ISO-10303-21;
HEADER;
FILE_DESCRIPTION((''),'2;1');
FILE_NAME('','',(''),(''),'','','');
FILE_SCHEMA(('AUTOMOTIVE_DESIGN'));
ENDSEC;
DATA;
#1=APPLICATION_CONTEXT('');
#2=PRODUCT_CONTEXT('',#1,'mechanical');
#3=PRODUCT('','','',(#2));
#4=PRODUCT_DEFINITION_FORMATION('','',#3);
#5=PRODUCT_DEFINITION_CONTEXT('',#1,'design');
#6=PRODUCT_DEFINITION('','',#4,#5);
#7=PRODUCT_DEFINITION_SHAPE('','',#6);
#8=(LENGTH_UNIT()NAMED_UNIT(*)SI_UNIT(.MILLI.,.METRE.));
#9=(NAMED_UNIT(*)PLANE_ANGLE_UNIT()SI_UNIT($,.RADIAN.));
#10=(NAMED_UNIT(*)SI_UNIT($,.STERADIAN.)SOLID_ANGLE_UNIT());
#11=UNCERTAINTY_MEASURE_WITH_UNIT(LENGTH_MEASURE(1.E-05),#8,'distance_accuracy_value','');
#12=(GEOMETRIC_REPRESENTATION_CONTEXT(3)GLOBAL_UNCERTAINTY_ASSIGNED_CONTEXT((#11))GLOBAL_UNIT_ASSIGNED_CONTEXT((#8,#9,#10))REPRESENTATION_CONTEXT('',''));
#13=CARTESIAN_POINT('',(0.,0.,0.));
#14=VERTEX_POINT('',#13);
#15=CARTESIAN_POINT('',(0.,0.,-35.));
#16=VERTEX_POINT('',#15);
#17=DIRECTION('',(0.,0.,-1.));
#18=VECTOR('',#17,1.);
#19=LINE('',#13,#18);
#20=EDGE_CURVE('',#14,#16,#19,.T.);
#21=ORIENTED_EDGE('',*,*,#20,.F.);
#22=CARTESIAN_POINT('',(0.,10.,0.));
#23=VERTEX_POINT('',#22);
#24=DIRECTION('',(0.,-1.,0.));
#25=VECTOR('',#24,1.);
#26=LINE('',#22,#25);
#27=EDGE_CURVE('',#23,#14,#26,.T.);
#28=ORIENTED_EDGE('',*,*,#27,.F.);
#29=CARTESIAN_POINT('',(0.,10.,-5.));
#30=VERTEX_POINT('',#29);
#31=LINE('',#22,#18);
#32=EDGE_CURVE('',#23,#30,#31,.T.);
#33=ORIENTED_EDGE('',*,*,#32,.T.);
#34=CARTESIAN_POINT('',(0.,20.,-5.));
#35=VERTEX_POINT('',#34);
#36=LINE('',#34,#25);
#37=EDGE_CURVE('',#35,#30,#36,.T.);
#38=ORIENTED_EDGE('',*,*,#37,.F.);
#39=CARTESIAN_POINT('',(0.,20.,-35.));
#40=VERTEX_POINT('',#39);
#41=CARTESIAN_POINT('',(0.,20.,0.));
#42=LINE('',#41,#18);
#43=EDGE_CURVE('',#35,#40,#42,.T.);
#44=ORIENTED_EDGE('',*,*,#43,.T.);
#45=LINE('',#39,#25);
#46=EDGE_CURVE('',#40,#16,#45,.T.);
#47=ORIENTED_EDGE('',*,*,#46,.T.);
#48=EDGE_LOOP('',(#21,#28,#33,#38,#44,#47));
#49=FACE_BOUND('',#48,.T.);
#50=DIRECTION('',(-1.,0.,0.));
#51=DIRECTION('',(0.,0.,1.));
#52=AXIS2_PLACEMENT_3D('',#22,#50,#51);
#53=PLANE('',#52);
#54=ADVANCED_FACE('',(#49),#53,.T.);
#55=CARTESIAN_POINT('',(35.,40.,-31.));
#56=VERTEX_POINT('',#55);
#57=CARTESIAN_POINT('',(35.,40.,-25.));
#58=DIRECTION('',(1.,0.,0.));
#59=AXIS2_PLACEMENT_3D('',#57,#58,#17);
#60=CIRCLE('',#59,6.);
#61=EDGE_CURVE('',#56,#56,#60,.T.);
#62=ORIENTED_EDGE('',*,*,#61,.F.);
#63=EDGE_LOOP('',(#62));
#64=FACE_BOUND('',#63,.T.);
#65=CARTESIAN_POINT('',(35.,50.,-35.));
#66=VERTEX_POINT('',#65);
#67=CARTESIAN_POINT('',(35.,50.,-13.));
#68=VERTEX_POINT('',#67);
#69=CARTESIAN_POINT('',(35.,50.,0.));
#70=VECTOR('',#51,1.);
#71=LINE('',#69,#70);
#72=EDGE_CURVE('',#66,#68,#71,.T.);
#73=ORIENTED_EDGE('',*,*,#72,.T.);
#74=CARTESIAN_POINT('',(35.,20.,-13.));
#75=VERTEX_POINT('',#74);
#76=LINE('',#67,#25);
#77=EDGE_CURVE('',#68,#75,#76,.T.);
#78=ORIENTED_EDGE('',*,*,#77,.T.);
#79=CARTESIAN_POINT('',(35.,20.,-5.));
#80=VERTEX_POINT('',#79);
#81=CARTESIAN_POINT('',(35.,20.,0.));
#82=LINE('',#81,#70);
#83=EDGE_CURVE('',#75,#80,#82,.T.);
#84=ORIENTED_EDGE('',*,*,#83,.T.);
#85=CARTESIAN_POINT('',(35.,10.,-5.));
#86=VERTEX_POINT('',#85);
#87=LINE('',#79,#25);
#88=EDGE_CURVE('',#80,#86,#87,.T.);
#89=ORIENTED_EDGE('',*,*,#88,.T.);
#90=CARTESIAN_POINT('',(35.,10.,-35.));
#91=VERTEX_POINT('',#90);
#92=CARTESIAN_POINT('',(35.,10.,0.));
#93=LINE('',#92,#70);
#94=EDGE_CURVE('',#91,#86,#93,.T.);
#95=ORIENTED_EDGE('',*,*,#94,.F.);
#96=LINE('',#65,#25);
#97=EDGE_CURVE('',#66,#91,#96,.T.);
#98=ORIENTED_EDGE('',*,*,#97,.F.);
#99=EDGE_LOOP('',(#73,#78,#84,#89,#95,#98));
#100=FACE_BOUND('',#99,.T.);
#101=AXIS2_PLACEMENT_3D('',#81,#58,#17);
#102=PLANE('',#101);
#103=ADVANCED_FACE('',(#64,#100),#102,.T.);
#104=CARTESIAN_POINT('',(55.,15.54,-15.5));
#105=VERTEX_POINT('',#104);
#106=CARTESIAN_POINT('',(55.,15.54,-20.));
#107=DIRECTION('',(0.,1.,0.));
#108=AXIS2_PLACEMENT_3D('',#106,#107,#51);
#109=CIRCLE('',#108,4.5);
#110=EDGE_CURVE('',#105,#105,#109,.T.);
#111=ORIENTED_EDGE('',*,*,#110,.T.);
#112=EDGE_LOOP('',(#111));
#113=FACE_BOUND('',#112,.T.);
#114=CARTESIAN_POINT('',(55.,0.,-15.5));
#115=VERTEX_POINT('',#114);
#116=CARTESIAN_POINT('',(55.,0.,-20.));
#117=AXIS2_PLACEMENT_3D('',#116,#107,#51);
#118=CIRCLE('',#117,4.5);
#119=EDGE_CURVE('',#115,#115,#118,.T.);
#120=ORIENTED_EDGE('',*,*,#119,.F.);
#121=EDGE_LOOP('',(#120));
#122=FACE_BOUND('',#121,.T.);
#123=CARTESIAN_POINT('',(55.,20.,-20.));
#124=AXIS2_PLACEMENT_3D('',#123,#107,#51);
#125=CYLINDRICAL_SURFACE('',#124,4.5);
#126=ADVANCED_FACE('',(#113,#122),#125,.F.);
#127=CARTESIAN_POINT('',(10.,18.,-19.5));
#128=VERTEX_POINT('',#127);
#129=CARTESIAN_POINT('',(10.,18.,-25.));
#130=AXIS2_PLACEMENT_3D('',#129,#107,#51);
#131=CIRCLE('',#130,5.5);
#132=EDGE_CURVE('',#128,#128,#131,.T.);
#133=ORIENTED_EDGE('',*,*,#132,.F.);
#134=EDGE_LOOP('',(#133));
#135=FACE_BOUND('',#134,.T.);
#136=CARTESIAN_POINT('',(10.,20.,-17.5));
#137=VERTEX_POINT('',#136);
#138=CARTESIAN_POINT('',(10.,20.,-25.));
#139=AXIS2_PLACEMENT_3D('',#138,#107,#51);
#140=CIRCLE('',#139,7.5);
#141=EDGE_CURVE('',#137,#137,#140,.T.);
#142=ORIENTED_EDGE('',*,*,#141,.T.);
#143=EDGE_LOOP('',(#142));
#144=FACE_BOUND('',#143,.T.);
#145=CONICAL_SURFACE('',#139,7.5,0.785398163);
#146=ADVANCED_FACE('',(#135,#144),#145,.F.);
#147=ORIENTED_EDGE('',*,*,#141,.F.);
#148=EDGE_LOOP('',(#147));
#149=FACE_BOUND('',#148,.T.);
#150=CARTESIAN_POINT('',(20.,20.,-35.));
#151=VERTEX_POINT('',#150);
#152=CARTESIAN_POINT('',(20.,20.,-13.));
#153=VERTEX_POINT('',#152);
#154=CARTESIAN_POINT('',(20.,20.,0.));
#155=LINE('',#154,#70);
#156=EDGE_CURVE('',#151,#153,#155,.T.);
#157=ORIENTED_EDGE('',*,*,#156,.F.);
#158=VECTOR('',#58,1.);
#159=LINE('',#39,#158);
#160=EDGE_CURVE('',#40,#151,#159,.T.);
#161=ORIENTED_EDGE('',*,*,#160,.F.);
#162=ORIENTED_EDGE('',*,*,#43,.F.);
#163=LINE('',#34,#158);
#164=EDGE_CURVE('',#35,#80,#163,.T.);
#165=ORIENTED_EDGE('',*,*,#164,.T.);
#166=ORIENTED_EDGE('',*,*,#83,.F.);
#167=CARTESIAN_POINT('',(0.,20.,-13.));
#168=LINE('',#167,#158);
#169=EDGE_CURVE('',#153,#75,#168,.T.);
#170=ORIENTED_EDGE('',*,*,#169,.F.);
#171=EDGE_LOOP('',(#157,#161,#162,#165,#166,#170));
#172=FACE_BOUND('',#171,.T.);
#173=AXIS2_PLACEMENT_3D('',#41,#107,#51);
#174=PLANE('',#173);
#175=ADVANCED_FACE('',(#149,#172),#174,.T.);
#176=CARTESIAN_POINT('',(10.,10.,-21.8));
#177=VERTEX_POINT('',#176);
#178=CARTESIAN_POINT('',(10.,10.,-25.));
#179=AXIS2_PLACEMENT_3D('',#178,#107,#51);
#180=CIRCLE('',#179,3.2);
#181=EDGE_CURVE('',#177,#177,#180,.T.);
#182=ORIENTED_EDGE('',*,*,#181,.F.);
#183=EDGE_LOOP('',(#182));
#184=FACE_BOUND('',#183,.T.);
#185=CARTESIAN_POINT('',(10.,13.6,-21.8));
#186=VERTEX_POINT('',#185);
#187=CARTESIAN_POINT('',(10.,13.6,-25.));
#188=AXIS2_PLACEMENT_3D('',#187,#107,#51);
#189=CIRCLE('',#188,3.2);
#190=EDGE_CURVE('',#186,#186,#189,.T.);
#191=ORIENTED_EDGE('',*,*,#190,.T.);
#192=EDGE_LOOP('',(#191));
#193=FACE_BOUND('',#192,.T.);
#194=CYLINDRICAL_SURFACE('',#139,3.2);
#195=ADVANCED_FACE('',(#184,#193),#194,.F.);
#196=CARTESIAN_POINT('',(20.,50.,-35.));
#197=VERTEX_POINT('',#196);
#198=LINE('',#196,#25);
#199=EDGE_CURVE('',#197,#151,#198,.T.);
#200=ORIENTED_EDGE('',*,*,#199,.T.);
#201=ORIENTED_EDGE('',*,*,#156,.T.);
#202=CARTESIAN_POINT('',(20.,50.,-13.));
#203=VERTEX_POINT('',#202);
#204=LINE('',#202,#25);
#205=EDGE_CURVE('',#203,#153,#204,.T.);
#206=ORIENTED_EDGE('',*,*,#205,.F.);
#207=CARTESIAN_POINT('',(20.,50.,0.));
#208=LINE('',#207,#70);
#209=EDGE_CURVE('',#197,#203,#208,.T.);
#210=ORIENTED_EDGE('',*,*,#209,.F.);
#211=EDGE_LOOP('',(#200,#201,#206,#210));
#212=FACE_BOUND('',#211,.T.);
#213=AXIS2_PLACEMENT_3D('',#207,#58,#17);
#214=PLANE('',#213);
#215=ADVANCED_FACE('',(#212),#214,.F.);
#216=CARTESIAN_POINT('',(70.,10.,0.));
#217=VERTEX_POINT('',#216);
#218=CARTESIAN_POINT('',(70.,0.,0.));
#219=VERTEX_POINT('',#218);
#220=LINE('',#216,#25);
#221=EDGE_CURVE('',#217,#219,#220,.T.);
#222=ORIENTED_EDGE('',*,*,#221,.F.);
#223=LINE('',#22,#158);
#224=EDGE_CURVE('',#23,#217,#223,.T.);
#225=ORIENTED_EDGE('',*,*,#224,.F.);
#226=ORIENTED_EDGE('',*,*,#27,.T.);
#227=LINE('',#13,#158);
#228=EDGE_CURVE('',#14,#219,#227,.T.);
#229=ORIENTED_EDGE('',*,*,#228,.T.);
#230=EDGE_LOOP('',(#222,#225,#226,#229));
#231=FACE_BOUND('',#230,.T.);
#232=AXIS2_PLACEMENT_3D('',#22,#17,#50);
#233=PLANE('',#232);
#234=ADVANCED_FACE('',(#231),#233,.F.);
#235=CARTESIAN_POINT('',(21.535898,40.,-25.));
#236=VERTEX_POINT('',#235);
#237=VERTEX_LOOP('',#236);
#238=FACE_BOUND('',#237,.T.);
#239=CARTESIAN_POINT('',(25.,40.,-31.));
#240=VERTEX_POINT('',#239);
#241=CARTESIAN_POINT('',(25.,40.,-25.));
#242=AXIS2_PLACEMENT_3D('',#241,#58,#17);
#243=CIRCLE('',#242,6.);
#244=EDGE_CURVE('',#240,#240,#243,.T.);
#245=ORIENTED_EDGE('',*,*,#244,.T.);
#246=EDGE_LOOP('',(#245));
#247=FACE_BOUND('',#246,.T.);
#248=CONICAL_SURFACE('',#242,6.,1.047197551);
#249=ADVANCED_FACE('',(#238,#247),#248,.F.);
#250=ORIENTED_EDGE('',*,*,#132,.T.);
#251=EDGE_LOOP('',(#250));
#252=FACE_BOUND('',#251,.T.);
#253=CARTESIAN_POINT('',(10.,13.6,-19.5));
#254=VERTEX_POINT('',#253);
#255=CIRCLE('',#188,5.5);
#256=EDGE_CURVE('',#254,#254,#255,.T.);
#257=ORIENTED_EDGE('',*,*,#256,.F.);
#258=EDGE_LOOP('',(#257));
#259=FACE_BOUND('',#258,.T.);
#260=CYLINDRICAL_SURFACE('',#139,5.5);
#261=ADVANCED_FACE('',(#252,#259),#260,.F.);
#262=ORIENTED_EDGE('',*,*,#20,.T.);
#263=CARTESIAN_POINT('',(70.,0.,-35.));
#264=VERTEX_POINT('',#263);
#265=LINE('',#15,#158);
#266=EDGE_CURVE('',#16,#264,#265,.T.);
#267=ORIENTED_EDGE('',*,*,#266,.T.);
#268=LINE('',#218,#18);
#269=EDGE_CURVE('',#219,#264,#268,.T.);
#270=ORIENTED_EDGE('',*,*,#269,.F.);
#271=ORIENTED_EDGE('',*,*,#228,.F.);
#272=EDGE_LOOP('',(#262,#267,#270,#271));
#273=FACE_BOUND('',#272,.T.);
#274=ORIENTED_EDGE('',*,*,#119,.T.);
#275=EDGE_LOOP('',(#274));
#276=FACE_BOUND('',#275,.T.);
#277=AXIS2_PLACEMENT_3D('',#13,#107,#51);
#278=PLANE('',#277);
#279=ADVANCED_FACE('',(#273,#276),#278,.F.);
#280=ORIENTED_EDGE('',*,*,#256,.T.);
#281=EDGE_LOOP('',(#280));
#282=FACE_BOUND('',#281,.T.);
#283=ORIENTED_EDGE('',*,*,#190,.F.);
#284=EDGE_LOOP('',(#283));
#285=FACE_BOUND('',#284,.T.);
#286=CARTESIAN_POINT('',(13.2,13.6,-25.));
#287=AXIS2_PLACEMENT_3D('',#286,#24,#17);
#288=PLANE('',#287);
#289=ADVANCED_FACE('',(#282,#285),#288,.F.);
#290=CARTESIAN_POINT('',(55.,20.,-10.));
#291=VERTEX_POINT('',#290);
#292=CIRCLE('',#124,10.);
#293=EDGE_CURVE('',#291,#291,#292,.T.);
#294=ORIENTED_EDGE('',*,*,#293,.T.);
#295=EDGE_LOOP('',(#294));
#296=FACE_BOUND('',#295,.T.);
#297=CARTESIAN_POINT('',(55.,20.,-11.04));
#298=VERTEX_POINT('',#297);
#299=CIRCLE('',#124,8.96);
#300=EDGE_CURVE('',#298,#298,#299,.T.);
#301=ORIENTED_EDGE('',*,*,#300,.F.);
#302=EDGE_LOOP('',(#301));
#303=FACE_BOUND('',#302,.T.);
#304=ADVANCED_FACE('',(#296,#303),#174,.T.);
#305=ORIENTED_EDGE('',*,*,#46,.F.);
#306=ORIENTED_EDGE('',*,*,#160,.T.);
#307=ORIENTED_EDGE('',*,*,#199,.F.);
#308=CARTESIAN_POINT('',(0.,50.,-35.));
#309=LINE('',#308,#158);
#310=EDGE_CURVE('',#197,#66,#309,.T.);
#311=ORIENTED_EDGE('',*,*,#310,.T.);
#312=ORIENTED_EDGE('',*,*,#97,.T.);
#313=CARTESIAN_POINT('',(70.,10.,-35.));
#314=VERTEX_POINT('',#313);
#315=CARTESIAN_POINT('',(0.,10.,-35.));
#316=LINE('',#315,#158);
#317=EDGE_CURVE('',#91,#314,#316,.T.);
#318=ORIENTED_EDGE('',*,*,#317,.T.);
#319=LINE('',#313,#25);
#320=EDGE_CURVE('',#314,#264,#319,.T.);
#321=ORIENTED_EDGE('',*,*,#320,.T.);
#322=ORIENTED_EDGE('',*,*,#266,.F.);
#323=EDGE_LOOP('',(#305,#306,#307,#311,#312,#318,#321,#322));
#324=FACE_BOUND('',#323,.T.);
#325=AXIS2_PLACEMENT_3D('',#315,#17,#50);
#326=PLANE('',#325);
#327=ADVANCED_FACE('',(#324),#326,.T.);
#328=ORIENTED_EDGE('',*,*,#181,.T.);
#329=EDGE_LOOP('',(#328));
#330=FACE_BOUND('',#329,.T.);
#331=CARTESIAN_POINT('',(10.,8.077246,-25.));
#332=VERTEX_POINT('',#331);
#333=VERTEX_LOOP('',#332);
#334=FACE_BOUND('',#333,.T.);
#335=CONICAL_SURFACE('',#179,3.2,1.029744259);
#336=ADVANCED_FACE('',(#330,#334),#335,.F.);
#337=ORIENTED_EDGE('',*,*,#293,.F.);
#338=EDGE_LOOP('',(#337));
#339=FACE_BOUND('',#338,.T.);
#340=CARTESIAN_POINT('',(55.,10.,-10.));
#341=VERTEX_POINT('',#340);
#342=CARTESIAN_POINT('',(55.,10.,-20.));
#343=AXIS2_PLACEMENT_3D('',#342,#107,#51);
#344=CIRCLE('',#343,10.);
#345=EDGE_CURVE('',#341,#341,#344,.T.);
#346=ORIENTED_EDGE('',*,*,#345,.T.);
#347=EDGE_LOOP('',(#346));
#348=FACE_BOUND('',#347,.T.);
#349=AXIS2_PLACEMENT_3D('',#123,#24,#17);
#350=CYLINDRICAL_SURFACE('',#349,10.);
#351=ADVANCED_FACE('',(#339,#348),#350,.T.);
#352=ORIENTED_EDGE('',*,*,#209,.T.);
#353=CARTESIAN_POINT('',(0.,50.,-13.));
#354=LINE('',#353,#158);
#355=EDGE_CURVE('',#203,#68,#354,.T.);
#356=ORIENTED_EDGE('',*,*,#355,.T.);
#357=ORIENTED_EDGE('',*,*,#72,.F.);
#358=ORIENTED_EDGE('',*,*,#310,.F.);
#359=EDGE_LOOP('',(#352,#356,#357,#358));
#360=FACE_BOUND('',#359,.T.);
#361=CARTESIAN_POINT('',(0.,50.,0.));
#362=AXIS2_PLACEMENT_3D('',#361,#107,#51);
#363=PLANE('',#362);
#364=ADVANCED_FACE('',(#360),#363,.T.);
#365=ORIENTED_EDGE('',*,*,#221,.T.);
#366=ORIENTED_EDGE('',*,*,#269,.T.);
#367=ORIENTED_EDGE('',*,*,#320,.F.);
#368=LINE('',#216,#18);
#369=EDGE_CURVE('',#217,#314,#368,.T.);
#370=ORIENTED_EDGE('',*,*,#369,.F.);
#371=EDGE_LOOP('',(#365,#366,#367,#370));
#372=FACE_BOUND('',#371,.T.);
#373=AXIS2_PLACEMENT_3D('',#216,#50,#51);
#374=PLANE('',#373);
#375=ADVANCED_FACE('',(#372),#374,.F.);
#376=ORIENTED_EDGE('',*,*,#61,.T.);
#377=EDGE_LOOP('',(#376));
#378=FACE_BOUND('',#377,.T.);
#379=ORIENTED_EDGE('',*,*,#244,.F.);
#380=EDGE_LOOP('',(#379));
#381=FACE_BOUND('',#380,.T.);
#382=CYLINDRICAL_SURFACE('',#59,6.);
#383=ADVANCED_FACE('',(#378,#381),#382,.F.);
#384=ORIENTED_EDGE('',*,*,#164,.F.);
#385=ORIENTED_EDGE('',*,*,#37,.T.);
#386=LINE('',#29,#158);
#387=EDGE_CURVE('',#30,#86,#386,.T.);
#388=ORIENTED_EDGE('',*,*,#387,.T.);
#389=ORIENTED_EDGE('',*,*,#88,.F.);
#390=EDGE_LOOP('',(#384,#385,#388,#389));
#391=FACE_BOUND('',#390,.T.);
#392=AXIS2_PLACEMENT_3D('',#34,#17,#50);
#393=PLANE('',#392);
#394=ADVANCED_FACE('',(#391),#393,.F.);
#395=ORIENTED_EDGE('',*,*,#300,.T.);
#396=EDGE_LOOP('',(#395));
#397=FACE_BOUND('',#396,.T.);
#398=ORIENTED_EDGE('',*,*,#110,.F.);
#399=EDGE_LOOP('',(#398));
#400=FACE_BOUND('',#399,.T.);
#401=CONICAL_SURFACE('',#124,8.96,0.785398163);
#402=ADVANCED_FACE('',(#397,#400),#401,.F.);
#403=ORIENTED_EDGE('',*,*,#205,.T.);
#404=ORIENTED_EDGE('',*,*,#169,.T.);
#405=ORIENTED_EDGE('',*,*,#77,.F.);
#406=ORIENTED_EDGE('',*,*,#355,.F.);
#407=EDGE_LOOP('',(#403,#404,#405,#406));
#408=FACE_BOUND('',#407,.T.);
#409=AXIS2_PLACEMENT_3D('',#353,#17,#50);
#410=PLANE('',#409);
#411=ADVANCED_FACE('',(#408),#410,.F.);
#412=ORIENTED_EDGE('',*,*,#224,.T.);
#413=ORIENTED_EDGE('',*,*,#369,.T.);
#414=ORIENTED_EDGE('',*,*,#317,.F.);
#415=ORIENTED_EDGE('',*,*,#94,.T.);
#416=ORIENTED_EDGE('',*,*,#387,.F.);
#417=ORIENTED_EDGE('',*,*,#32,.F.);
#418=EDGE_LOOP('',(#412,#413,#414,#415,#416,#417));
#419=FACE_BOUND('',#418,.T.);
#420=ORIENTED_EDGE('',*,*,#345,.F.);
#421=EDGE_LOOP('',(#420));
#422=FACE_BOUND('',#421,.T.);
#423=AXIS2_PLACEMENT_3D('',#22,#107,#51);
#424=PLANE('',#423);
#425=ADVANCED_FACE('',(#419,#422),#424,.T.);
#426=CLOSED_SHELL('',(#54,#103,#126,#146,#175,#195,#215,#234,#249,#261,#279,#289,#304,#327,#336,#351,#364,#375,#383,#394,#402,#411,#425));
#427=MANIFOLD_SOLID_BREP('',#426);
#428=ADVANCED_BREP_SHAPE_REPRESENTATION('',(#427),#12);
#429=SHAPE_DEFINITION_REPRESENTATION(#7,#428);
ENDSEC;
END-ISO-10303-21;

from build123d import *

# Parameters (mm, degrees)
SKETCH1_R                                            = 10
BOSS_EXTRUDE1_DEPTH                                  = 10
SKETCH1_3_R                                          = 10
BOSS_EXTRUDE2_DEPTH                                  = 20
SKETCH1_4_W                                          = 15
SKETCH1_4_H                                          = 22
BOSS_EXTRUDE3_DEPTH                                  = 50
CSK_FOR_M8_HEX_SOCKET_COUNTERSUNK_CAP_SC_D           = 9
CSK_FOR_M8_HEX_SOCKET_COUNTERSUNK_CAP_SC_CSINK_D     = 17.92
CSK_FOR_M8_HEX_SOCKET_COUNTERSUNK_CAP_SC_CSINK_ANGLE = 90
TAP_DRILL_FOR_M8_TAP1_D                              = 12
TAP_DRILL_FOR_M8_TAP1_DEPTH                          = 10
TAP_DRILL_FOR_M8_TAP1_TIP                            = 3.464101615


with BuildPart() as part:
    # Sketch1 → Boss-Extrude1 (new body)
    with BuildSketch(Plane(origin=(0, 0, 0), x_dir=(1, 0, 0), z_dir=(0, 1, 0))):
        Polygon((0, 5), (0, 0), (70, 0), (70, 35), (35, 35), (35, 13), (35, 5), align=None)
        with Locations((55, 20)):
            Circle(SKETCH1_R, mode=Mode.SUBTRACT)
    extrude(amount=BOSS_EXTRUDE1_DEPTH)

    # Sketch1<3> → Boss-Extrude2 (add)
    with BuildSketch(Plane(origin=(0, 0, 0), x_dir=(1, 0, 0), z_dir=(0, 1, 0))):
        Polygon((0, 35), (0, 5), (35, 5), (35, 13), (20, 13), (20, 35), align=None)
        with Locations((55, 20)):
            Circle(SKETCH1_3_R)
    extrude(amount=BOSS_EXTRUDE2_DEPTH)

    # Sketch1<4> → Boss-Extrude3 (add)
    with BuildSketch(Plane(origin=(0, 0, 0), x_dir=(1, 0, 0), z_dir=(0, 1, 0))):
        with Locations((27.5, 24)):
            Rectangle(SKETCH1_4_W, SKETCH1_4_H)
    extrude(amount=BOSS_EXTRUDE3_DEPTH)

    # CSK for M8 Hex Socket Countersunk Cap Screw1 (through all)
    with Locations(Plane(origin=(55, 20, -20), x_dir=(0, 0, 1), z_dir=(0, 1, 0))):
        with Locations((0, 0)):
            CounterSinkHole(CSK_FOR_M8_HEX_SOCKET_COUNTERSUNK_CAP_SC_D / 2, CSK_FOR_M8_HEX_SOCKET_COUNTERSUNK_CAP_SC_CSINK_D / 2, counter_sink_angle=CSK_FOR_M8_HEX_SOCKET_COUNTERSUNK_CAP_SC_CSINK_ANGLE)

    # Sketch5 → CBORE for M6 Hex Socket Head Cap Screw1 (revolve, cut)
    with BuildSketch(Plane(origin=(10, 20, -25), x_dir=(0, 0, 1), z_dir=(1, 0, 0))):
        Polygon((0, 0), (0, 11.922753981), (3.2, 10), (3.2, 6.4), (5.5, 6.4), (5.5, 2), (7.5, 0), align=None)
    revolve(axis=Axis((10, 26.35, -25), (0, -1, 0)), mode=Mode.SUBTRACT)

    # Tap Drill for M8 Tap1
    with Locations(Plane(origin=(35, 40, -25), x_dir=(0, 0, 1), z_dir=(1, 0, 0))):
        with Locations((0, 0)):
            Hole(TAP_DRILL_FOR_M8_TAP1_D / 2, depth=TAP_DRILL_FOR_M8_TAP1_DEPTH)
            with Locations((0, 0, -(TAP_DRILL_FOR_M8_TAP1_DEPTH + TAP_DRILL_FOR_M8_TAP1_TIP / 2))):  # 120° drill point
                Cone(0, TAP_DRILL_FOR_M8_TAP1_D / 2, TAP_DRILL_FOR_M8_TAP1_TIP, mode=Mode.SUBTRACT)


solid = part.part
